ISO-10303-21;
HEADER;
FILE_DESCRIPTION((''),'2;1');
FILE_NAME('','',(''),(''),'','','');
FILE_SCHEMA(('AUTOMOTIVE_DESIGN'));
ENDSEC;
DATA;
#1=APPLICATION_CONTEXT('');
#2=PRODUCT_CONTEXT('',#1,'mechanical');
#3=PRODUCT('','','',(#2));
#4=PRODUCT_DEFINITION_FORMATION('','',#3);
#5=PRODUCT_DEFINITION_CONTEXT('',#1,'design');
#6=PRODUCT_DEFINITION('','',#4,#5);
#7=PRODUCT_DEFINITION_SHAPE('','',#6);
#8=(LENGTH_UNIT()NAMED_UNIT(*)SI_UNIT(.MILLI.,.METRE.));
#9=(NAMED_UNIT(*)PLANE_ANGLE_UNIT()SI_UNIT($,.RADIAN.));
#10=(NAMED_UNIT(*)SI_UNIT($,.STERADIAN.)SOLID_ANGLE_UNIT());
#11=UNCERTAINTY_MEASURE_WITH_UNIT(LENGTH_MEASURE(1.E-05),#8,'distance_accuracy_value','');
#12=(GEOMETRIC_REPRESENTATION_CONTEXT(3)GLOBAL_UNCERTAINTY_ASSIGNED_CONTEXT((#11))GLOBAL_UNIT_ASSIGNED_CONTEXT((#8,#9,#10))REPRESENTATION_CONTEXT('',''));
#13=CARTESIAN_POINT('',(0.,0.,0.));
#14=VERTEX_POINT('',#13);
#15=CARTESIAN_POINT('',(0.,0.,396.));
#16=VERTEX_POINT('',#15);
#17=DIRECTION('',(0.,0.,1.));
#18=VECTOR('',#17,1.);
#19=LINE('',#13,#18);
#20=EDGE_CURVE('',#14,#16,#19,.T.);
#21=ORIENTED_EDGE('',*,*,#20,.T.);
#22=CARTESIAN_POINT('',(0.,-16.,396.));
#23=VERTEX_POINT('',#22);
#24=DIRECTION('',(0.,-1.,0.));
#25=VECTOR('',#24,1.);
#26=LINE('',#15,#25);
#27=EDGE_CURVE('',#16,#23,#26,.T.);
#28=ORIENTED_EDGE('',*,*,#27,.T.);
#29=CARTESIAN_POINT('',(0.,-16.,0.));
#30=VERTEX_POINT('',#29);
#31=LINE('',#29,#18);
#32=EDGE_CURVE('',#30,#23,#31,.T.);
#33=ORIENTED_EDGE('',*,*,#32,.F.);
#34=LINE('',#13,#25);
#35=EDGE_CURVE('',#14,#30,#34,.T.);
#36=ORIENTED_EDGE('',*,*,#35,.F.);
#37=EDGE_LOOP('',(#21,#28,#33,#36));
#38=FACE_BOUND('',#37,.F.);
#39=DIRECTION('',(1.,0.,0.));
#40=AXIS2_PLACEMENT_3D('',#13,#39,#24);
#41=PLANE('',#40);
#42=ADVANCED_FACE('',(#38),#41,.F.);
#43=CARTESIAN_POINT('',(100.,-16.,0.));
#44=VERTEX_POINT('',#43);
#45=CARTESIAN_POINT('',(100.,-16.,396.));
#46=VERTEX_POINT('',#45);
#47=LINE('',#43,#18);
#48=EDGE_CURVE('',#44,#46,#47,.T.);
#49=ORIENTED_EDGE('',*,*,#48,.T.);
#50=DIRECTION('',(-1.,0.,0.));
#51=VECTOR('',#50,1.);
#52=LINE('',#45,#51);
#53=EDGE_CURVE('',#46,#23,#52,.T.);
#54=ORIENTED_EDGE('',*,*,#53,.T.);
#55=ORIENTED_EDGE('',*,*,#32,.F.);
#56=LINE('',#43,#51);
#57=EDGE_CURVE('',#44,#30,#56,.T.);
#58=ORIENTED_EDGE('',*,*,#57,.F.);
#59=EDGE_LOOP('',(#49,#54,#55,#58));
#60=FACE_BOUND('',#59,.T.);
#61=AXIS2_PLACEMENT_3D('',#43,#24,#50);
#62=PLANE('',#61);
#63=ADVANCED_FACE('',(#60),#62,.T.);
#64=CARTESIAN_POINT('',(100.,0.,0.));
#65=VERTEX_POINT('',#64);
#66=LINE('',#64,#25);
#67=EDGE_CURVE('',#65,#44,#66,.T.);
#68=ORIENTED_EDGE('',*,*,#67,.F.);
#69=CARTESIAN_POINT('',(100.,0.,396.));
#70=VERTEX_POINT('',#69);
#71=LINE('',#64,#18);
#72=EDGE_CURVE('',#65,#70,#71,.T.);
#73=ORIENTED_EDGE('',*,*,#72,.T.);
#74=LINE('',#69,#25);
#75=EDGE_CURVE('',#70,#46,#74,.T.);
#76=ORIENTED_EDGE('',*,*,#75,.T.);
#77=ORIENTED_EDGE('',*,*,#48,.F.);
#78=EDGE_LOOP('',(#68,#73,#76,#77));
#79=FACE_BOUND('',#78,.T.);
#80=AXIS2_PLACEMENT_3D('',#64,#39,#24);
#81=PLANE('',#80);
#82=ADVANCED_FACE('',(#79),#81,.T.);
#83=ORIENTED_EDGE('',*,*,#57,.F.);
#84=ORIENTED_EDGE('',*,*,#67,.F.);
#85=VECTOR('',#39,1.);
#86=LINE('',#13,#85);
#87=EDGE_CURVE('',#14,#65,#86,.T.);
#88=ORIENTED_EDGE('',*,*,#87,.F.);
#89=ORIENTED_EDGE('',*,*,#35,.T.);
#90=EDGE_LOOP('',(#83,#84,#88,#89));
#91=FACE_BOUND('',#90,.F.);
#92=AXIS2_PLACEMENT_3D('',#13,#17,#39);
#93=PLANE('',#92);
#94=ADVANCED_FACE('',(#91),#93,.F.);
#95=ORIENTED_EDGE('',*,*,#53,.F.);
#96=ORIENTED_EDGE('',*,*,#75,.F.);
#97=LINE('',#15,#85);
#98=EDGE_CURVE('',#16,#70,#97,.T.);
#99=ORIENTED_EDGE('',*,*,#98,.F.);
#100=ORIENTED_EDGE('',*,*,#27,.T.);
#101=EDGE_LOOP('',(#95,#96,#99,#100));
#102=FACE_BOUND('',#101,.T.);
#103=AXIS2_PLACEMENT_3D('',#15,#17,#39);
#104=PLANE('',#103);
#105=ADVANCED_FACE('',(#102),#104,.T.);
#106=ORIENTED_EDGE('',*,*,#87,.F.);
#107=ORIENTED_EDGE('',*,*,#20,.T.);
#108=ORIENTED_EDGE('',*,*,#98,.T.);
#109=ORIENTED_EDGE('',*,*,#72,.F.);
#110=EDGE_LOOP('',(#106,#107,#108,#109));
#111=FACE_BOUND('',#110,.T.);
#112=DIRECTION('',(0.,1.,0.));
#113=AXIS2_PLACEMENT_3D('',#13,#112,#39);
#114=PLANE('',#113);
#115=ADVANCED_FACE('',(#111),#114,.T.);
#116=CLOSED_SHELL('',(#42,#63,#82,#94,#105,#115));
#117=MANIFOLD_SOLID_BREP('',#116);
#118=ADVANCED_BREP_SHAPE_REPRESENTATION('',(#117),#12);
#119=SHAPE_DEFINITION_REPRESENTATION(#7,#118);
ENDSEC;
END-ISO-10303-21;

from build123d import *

# Parameters (mm, degrees)
F0_W     = 40.0536805391
F0_H     = 44.0229400992
F1_DEPTH = 25
F2_DEPTH = 16
F3_DEPTH = 100
F4_DEPTH = 1996
F5_DEPTH = 396


with BuildPart() as f1:
    # F0 (on Front) → F1 (new body)
    with BuildSketch(Plane.XZ):
        with Locations((20.0268402696, 22.0114700496)):
            Rectangle(F0_W, F0_H)
    extrude(amount=F1_DEPTH)

    # F2 (intersect): a face of the model
    f2_faces = [f1.faces().sort_by_distance(p)[0] for p in [
        (20.0268402696, 0, 22.0114700496),
    ]]
    extrude(f2_faces, amount=-F2_DEPTH, mode=Mode.INTERSECT)

    # F3 (add): a face of the model
    f3_faces = [f1.faces().sort_by_distance(p)[0] for p in [
        (0, -8, 22.0114700496),
    ]]
    extrude(f3_faces, amount=-F3_DEPTH)

    # F4 (add): a face of the model
    f4_faces = [f1.faces().sort_by_distance(p)[0] for p in [
        (50, -8, 0),
    ]]
    extrude(f4_faces, amount=-F4_DEPTH)

    # F5 (intersect): a face of the model
    f5_faces = [f1.faces().sort_by_distance(p)[0] for p in [
        (50, -8, 0),
    ]]
    extrude(f5_faces, amount=-F5_DEPTH, mode=Mode.INTERSECT)


solid = f1.part
